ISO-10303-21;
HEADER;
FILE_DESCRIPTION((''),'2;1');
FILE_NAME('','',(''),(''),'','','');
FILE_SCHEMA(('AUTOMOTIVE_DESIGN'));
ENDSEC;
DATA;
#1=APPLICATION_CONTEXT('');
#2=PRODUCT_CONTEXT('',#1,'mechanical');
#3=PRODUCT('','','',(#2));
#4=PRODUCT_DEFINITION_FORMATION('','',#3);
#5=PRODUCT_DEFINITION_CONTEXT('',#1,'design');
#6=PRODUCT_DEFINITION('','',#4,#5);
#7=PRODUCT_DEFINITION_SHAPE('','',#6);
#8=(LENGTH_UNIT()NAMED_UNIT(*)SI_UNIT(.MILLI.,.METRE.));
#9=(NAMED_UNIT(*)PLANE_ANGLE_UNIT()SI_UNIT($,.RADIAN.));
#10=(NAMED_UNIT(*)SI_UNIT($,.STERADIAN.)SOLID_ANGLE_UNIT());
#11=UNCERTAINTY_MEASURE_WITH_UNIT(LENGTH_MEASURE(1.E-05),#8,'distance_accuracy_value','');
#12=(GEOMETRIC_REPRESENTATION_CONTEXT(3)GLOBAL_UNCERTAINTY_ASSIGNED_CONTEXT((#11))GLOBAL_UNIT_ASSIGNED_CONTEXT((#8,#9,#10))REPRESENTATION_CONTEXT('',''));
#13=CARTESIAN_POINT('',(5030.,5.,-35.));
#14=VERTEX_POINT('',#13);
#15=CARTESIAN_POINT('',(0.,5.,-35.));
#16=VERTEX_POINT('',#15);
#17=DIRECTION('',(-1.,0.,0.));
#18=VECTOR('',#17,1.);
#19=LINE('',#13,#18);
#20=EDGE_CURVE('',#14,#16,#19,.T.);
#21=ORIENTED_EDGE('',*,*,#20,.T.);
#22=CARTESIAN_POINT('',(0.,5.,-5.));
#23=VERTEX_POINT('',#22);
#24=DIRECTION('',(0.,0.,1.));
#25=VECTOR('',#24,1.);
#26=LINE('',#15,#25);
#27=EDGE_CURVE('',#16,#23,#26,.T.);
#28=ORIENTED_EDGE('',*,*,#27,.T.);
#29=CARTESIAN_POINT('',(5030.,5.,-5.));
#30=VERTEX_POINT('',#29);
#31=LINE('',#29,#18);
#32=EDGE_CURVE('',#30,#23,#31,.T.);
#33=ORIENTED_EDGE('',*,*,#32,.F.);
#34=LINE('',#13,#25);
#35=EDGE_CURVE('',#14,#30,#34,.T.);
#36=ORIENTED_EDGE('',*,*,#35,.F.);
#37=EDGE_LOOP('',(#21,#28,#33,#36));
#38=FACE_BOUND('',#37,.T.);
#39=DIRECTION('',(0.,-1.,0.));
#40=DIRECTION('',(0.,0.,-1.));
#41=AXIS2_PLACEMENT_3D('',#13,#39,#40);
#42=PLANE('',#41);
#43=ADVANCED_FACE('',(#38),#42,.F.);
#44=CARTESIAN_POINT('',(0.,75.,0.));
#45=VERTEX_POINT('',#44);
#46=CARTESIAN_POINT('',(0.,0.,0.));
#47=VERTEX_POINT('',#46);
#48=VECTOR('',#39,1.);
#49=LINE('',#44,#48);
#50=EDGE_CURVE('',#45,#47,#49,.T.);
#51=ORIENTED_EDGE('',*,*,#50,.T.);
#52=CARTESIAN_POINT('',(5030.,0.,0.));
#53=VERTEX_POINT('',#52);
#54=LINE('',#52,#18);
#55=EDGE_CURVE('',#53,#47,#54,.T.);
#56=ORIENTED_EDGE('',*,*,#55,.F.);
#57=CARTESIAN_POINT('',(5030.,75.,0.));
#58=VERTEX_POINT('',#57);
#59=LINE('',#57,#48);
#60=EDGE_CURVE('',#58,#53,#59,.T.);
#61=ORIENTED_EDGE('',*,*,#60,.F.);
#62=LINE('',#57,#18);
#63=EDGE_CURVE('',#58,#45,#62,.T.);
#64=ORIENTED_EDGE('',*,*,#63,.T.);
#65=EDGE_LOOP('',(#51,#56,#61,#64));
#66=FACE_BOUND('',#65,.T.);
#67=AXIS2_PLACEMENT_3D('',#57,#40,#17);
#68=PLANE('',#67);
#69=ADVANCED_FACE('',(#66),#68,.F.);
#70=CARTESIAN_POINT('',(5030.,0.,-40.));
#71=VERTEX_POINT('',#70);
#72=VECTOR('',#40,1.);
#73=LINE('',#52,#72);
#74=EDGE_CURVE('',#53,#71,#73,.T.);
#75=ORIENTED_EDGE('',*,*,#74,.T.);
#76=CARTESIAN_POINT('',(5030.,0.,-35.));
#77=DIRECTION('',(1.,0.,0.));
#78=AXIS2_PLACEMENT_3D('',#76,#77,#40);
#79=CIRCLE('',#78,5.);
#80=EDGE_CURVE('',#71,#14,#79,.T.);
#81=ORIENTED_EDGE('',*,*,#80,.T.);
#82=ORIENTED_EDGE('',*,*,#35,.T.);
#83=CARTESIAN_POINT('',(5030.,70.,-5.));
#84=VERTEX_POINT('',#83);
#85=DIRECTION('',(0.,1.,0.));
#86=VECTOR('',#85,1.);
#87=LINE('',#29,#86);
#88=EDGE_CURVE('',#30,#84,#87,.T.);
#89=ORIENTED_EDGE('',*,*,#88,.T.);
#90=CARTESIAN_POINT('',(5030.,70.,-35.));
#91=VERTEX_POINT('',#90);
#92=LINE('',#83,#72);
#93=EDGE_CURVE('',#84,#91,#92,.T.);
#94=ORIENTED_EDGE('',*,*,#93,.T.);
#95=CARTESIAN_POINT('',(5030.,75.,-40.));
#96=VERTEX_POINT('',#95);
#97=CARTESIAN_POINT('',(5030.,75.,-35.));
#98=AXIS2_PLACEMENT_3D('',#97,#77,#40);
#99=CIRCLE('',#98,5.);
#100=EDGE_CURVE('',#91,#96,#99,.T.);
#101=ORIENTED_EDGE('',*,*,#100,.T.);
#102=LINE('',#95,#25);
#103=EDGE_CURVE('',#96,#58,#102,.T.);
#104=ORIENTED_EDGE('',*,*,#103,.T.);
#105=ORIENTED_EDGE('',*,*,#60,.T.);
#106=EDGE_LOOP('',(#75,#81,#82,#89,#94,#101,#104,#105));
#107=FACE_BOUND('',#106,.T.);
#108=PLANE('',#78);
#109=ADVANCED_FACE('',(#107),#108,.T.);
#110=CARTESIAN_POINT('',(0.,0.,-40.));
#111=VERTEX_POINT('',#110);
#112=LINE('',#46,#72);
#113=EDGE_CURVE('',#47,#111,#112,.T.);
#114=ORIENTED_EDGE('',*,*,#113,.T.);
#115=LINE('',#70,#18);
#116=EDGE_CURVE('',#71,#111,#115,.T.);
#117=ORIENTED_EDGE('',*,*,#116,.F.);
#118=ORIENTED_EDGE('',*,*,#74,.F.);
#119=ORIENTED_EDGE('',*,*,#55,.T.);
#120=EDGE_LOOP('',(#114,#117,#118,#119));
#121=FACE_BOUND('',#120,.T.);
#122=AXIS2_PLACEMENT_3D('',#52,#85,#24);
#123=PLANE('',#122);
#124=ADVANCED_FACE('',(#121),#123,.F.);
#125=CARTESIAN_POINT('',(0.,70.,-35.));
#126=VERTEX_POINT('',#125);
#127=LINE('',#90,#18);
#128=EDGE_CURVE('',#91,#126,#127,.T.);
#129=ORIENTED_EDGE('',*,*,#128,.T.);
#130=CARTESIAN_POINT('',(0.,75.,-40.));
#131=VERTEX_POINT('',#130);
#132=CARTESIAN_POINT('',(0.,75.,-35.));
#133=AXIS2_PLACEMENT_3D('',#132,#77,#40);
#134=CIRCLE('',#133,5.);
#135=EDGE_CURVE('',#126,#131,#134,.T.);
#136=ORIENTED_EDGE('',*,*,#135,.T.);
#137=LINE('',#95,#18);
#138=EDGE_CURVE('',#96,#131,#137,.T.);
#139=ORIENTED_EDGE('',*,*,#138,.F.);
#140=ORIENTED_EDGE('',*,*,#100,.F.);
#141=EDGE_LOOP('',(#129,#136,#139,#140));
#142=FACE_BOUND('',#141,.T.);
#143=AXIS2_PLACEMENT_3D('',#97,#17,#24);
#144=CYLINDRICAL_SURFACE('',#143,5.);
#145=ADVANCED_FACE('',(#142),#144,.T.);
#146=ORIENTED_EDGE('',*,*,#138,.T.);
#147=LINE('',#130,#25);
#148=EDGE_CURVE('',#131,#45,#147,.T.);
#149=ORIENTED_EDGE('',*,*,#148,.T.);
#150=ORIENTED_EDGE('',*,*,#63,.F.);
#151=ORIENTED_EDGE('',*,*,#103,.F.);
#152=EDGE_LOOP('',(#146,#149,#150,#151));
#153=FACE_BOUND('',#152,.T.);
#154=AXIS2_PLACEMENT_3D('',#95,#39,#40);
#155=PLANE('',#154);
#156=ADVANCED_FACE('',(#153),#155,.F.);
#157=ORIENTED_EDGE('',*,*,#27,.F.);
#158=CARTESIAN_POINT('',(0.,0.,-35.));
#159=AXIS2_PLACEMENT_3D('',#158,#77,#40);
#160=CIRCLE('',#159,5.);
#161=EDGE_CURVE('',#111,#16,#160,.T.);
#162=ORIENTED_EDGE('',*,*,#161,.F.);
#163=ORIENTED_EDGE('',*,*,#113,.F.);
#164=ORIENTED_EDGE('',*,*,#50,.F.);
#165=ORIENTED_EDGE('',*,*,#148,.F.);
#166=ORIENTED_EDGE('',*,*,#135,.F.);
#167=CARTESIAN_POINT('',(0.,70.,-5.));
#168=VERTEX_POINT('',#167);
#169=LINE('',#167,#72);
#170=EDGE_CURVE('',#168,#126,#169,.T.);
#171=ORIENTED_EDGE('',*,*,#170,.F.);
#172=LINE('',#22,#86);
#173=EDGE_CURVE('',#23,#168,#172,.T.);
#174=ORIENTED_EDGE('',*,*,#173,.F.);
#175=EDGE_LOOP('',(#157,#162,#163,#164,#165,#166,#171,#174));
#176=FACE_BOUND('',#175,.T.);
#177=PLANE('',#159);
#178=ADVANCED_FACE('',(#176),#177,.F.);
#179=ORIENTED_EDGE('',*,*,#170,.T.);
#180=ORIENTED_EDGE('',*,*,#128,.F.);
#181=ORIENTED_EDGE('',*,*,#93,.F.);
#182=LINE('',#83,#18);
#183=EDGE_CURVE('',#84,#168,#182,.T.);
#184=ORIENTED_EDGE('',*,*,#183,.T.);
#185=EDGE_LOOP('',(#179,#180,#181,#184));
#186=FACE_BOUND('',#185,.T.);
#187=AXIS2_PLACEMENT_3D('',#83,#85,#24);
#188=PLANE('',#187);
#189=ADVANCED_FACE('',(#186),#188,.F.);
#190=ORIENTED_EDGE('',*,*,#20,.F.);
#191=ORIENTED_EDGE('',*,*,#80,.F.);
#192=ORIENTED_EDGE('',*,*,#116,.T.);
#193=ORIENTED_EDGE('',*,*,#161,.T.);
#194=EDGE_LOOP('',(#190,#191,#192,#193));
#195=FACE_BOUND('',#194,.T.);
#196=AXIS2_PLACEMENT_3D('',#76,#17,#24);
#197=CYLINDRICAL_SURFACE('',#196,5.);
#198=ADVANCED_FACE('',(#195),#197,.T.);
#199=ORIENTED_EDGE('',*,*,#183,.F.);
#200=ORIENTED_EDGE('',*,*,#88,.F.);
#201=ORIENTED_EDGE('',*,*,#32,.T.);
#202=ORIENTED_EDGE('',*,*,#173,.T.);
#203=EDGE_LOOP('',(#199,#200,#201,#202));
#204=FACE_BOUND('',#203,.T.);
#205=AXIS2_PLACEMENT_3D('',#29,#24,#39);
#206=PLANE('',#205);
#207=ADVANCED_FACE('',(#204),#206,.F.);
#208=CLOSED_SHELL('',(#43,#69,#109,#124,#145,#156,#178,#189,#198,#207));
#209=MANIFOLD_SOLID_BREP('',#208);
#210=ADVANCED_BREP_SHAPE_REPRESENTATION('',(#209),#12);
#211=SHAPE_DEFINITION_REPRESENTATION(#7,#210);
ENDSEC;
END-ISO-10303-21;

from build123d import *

# Parameters (mm, degrees)
BOSS_EXTRUDE1_DEPTH = 5030


with BuildPart() as part:
    # Sketch1 → Boss-Extrude1 (new body)
    with BuildSketch(Plane(origin=(0, 0, 0), x_dir=(0, 0, -1), z_dir=(1, 0, 0))):
        with BuildLine():
            Line((0, 0), (40, 0))
            ThreePointArc((40, 0), (38.535533906, 3.535533906), (35, 5))
            Line((35, 5), (5, 5))
            Line((5, 5), (5, 70))
            Line((5, 70), (35, 70))
            ThreePointArc((35, 70), (38.535533906, 71.464466094), (40, 75))
            Line((40, 75), (0, 75))
            Line((0, 75), (0, 0))
        make_face()
    extrude(amount=BOSS_EXTRUDE1_DEPTH)


solid = part.part
